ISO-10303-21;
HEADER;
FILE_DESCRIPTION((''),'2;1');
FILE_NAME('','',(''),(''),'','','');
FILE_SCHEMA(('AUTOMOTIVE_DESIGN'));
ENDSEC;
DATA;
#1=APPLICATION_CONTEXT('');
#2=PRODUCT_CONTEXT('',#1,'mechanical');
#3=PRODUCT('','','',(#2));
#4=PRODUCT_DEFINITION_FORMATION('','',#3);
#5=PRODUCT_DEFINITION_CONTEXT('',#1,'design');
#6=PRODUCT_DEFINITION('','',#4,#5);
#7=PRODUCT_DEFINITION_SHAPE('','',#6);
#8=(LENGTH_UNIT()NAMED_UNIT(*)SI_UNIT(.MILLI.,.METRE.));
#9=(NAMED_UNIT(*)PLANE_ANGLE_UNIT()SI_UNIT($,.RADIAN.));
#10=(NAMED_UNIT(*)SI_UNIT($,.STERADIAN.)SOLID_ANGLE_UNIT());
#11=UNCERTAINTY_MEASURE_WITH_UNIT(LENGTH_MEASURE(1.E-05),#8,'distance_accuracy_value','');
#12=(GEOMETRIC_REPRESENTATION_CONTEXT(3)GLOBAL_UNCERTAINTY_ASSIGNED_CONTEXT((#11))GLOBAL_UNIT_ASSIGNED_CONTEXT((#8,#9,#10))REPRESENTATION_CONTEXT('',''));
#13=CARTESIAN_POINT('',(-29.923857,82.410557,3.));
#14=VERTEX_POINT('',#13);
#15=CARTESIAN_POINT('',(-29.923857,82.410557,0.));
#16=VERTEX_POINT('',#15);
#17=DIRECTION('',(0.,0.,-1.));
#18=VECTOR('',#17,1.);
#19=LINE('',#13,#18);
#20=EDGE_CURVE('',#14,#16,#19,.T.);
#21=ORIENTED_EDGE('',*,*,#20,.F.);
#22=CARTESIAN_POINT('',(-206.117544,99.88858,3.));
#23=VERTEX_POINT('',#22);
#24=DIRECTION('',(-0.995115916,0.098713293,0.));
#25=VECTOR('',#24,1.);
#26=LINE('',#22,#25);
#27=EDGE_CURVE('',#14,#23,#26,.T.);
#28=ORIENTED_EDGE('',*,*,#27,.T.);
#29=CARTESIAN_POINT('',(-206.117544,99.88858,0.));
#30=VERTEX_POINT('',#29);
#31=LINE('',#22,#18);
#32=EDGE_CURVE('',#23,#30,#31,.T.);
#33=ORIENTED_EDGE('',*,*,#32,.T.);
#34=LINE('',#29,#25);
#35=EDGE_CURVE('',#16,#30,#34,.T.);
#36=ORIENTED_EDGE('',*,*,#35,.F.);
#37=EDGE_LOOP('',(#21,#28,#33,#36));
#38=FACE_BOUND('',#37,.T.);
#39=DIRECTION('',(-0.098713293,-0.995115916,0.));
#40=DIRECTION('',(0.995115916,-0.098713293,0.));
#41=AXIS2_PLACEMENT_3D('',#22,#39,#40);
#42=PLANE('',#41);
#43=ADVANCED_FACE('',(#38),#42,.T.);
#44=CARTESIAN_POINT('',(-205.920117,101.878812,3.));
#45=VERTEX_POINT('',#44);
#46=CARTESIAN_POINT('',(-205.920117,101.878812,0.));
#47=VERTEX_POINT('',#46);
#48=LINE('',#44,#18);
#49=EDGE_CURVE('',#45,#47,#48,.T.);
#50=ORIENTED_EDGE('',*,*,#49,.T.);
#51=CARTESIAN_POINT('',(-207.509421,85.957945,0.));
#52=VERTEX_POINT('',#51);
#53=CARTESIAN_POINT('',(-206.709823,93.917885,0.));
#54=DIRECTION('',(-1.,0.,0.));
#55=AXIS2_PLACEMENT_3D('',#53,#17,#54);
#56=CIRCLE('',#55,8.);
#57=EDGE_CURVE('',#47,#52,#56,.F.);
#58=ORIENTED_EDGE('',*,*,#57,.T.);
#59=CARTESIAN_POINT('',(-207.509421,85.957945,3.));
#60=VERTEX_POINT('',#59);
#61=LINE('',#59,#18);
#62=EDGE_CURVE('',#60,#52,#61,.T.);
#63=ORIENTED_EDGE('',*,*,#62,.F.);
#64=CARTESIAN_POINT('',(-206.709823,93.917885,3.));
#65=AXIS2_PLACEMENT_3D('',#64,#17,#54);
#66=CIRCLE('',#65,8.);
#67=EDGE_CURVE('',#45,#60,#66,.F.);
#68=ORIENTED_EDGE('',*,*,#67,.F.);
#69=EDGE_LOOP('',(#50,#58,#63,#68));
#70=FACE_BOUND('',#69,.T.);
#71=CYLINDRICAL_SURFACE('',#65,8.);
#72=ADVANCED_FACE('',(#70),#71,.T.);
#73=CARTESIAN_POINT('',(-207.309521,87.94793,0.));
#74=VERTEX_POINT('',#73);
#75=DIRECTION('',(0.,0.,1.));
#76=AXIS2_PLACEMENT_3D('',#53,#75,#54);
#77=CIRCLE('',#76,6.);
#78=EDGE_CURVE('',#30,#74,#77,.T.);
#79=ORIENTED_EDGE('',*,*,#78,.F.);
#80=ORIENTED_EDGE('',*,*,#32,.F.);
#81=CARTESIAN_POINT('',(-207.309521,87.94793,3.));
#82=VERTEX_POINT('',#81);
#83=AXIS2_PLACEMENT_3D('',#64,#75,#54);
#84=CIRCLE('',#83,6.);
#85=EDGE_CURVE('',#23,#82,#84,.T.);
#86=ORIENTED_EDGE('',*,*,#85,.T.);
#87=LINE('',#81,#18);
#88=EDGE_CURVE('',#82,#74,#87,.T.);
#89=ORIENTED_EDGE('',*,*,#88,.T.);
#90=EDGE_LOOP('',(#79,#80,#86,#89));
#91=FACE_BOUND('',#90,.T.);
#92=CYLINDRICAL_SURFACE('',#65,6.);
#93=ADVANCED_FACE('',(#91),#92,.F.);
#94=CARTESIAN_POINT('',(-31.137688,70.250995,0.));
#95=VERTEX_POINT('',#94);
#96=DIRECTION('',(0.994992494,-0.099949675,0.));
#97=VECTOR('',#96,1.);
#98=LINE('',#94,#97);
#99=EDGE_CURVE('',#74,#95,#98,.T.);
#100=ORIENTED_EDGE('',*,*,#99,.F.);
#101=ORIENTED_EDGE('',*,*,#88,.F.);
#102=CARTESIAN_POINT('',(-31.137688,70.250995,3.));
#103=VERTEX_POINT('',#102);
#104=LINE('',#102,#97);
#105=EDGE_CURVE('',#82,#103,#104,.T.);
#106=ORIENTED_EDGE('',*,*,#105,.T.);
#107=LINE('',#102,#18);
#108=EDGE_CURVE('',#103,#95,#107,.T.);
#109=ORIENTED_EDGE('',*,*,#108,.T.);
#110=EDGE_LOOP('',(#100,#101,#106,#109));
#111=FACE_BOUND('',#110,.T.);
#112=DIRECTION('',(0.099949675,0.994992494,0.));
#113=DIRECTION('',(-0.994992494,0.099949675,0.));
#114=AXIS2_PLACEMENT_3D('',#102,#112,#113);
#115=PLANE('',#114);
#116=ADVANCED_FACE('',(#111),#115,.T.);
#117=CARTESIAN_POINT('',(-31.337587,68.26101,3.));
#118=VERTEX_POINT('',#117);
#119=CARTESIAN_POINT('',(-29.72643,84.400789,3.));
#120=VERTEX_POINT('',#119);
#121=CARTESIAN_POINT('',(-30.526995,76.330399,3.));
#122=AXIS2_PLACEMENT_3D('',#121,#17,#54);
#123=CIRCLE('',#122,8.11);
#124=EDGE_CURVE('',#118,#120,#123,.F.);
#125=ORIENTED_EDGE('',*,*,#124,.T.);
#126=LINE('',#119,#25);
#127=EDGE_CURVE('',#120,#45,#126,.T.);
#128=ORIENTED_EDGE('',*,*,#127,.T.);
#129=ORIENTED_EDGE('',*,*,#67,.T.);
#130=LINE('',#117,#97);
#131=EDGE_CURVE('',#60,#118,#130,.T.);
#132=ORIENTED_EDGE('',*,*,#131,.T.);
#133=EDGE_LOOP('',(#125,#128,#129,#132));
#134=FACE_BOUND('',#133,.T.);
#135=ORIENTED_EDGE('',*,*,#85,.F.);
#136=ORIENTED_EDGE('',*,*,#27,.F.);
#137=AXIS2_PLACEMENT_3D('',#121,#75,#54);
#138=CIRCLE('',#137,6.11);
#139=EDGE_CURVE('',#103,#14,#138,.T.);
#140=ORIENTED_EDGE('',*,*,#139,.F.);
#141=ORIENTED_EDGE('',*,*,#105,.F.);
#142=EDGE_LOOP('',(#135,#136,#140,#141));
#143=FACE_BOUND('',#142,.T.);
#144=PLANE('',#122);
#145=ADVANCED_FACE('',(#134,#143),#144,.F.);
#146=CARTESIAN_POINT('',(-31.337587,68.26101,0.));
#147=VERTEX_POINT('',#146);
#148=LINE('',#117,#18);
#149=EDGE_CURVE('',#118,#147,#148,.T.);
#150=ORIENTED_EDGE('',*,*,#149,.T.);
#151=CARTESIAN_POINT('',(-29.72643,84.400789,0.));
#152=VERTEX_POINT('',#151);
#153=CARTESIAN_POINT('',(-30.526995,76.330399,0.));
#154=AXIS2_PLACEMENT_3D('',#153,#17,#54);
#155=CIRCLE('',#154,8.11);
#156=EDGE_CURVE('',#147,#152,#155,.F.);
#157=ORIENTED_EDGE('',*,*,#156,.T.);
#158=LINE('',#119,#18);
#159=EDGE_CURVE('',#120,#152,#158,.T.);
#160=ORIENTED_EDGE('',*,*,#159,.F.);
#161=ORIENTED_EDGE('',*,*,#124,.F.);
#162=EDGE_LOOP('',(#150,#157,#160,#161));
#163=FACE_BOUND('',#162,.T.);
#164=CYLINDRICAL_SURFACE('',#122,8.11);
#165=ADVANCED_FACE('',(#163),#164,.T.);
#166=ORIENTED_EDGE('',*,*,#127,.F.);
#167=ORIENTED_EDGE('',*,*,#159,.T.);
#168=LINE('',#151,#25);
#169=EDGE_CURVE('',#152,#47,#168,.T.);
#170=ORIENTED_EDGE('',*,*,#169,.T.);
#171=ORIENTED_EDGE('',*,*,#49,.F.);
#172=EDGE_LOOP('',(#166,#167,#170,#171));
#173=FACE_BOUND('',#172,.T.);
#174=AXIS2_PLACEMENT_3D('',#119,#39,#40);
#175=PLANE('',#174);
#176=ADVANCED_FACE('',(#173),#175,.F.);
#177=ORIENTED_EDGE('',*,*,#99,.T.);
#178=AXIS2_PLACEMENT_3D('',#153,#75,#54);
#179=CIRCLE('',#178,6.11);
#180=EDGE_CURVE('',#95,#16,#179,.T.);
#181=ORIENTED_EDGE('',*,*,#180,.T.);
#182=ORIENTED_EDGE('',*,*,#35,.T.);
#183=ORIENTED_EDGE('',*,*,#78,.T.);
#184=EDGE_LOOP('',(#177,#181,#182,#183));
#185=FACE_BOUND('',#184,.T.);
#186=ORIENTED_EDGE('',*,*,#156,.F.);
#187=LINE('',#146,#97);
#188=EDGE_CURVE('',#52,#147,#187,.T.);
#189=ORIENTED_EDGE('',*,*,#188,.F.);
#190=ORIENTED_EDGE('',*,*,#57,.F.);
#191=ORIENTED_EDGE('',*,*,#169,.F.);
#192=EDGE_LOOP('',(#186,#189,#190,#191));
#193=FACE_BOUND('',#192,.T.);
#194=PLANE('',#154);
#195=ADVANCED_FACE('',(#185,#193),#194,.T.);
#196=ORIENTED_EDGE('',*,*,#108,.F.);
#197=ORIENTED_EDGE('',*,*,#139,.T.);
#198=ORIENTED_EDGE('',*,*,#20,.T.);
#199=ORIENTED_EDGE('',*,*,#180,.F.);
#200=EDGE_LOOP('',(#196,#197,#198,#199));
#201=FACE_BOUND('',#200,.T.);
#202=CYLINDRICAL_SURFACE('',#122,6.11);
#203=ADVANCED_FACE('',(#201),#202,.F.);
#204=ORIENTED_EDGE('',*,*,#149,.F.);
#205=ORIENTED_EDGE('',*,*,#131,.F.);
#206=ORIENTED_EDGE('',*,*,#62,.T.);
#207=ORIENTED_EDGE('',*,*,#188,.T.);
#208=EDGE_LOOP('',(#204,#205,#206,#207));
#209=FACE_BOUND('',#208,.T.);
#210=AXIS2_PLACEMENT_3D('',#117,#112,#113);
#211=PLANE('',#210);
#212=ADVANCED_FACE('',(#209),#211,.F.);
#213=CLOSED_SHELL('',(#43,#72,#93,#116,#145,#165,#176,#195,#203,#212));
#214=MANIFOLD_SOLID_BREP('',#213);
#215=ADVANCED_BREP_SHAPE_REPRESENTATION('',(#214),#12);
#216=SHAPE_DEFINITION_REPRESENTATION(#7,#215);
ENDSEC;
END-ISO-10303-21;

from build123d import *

# Parameters (mm, degrees)
EXTRUDE_THIN1_DEPTH = 3


with BuildPart() as part:
    # Sketch2 → Extrude-Thin1 (new body)
    with BuildSketch(Plane(origin=(-30.526995128, 76.330399028, 0), x_dir=(1, 0, 0), z_dir=(0, 0, 1))):
        with BuildLine():
            Line((-175.393121968, 25.54841324), (0.800564806, 8.070390077))
            ThreePointArc((0.800564806, 8.070390077), (8.069891158, -0.805578491), (-0.810591866, -8.069389124))
            Line((-0.810591866, -8.069389124), (-176.982425714, 9.627545964))
            ThreePointArc((-176.982425714, 9.627545964), (-184.143263486, 18.38213794), (-175.393121968, 25.54841324))
        make_face()
        with BuildLine():
            Line((-175.590548554, 23.558181408), (0.60313822, 6.080158245))
            ThreePointArc((0.60313822, 6.080158245), (6.079782364, -0.606915485), (-0.610692515, -6.079404136))
            Line((-0.610692515, -6.079404136), (-176.782526363, 11.617530952))
            ThreePointArc((-176.782526363, 11.617530952), (-182.153154693, 18.183474933), (-175.590548554, 23.558181408))
        make_face(mode=Mode.SUBTRACT)
    extrude(amount=EXTRUDE_THIN1_DEPTH)


solid = part.part
